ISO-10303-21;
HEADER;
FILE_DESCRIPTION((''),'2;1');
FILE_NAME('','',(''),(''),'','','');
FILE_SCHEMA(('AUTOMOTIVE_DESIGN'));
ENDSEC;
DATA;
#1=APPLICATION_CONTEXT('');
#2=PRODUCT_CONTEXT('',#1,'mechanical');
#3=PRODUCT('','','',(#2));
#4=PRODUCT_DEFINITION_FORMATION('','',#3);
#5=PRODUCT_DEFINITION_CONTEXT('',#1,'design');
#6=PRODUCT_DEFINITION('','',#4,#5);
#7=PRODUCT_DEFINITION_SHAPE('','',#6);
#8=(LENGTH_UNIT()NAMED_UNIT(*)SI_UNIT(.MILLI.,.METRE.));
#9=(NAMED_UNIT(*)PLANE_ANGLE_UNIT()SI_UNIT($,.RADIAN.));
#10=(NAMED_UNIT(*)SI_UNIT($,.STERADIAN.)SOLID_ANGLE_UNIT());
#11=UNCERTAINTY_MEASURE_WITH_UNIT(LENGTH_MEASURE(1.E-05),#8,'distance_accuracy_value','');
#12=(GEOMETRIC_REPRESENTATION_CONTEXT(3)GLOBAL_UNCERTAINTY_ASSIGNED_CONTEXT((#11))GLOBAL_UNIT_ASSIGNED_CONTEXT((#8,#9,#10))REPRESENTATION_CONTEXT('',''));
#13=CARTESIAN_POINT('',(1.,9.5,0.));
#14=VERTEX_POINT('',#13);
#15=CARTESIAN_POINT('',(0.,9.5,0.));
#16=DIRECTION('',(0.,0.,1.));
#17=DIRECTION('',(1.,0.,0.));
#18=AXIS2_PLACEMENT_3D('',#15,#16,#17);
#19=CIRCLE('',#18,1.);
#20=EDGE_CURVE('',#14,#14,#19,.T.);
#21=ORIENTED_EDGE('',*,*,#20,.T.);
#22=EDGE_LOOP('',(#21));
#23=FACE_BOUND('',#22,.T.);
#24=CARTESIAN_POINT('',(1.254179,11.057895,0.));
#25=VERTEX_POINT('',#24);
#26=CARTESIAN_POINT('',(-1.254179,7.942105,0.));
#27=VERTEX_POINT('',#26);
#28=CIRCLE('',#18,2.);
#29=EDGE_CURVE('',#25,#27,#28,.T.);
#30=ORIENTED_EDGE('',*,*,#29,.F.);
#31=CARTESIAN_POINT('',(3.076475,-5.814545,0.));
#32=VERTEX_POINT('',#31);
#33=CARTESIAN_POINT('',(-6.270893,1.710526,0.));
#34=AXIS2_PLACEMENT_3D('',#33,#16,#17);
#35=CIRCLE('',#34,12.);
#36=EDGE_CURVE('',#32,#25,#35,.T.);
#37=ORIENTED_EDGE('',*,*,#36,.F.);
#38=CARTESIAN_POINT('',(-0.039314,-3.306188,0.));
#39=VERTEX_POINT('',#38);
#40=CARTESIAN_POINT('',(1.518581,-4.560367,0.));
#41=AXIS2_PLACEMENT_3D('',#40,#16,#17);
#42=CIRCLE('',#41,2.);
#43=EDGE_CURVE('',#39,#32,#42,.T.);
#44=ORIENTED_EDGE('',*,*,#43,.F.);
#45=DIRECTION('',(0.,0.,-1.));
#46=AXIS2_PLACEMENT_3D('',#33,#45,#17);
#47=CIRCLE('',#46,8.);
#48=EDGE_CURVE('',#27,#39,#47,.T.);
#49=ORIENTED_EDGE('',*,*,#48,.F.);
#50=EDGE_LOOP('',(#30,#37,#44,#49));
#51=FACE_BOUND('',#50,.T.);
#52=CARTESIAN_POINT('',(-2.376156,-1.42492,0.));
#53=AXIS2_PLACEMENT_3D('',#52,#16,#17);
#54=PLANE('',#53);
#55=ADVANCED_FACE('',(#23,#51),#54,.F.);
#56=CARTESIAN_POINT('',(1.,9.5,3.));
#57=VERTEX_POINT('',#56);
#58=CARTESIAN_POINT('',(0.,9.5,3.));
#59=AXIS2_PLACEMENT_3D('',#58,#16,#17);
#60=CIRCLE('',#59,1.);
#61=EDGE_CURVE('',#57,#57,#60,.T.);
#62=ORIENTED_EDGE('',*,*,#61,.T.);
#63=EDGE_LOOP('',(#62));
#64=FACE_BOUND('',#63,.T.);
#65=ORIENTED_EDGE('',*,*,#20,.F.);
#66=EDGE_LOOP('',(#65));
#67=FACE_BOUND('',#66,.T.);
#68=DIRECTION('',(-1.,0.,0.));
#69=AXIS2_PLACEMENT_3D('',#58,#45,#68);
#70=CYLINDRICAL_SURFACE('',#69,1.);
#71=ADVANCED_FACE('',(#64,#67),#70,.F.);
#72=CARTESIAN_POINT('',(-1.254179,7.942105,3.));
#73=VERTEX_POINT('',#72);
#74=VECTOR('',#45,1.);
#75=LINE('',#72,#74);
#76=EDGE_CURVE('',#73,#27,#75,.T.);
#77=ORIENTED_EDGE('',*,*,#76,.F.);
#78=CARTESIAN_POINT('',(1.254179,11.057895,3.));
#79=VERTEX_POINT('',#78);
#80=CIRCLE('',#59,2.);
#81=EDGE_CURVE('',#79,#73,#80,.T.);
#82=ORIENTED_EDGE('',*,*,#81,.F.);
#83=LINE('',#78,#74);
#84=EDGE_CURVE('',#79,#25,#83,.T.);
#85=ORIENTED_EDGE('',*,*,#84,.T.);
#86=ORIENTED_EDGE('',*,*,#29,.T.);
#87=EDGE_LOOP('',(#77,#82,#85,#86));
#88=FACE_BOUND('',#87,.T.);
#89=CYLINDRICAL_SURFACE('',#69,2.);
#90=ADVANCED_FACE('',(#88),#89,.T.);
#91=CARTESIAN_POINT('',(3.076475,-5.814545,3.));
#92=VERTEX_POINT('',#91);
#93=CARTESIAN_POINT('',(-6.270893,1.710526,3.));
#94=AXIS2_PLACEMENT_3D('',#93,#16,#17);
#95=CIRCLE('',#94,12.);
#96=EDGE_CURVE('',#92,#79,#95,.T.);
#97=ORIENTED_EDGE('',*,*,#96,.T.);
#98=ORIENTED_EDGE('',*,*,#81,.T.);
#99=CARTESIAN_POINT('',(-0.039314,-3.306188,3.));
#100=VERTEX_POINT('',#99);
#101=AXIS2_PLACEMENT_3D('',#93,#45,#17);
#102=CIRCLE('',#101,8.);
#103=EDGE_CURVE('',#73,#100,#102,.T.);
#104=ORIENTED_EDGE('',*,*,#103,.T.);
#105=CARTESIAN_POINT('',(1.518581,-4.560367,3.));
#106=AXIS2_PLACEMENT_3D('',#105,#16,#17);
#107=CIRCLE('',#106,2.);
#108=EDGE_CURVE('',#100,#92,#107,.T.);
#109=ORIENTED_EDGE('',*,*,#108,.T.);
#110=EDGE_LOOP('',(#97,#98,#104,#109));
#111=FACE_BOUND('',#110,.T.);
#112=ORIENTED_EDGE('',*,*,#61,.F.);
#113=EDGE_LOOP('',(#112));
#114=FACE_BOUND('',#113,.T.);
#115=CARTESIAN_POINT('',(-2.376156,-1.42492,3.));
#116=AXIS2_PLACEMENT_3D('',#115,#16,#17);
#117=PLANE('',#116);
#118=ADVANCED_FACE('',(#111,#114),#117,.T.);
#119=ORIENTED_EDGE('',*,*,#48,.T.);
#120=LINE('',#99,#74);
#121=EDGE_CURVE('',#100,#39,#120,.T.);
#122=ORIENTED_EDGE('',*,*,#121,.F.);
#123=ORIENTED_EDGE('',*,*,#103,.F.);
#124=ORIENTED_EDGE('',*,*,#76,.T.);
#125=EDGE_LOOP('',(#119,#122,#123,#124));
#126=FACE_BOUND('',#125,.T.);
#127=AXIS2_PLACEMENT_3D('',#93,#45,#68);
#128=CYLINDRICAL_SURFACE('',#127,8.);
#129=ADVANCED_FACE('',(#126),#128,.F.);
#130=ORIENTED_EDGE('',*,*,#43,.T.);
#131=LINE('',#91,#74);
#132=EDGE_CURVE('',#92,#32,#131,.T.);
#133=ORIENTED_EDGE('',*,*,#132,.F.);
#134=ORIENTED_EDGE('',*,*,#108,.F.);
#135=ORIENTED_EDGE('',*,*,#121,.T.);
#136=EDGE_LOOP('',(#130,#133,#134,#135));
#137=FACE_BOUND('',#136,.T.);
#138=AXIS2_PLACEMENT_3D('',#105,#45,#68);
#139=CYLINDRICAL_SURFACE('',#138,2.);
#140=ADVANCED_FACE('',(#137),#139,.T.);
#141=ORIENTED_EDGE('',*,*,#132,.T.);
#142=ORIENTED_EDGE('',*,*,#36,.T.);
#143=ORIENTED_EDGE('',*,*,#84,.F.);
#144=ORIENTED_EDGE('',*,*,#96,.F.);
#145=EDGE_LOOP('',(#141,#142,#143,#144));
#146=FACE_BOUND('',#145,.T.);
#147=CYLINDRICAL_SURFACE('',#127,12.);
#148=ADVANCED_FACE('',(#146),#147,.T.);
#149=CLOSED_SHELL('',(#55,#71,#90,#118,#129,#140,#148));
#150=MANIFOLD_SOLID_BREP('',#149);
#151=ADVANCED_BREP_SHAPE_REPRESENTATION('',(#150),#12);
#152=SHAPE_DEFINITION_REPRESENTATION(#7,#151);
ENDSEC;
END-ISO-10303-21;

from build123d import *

# Parameters (mm, degrees)
SKETCH1_R           = 1
BOSS_EXTRUDE1_DEPTH = 3


with BuildPart() as part:
    # Sketch1 → Boss-Extrude1 (new body)
    with BuildSketch(Plane.XY):
        with BuildLine():
            ThreePointArc((3.076475365, -5.814545352), (5.659723746, 2.999084708), (1.254178611, 11.057894737))
            ThreePointArc((1.254178611, 11.057894737), (-1.557894737, 10.754178611), (-1.254178611, 7.942105263))
            ThreePointArc((-1.254178611, 7.942105263), (1.682851478, 2.569565244), (-0.039314109, -3.306188129))
            ThreePointArc((-0.039314109, -3.306188129), (0.264402017, -6.118261477), (3.076475365, -5.814545352))
        make_face()
        with Locations((0, 9.5)):
            Circle(SKETCH1_R, mode=Mode.SUBTRACT)
    extrude(amount=BOSS_EXTRUDE1_DEPTH)


solid = part.part
